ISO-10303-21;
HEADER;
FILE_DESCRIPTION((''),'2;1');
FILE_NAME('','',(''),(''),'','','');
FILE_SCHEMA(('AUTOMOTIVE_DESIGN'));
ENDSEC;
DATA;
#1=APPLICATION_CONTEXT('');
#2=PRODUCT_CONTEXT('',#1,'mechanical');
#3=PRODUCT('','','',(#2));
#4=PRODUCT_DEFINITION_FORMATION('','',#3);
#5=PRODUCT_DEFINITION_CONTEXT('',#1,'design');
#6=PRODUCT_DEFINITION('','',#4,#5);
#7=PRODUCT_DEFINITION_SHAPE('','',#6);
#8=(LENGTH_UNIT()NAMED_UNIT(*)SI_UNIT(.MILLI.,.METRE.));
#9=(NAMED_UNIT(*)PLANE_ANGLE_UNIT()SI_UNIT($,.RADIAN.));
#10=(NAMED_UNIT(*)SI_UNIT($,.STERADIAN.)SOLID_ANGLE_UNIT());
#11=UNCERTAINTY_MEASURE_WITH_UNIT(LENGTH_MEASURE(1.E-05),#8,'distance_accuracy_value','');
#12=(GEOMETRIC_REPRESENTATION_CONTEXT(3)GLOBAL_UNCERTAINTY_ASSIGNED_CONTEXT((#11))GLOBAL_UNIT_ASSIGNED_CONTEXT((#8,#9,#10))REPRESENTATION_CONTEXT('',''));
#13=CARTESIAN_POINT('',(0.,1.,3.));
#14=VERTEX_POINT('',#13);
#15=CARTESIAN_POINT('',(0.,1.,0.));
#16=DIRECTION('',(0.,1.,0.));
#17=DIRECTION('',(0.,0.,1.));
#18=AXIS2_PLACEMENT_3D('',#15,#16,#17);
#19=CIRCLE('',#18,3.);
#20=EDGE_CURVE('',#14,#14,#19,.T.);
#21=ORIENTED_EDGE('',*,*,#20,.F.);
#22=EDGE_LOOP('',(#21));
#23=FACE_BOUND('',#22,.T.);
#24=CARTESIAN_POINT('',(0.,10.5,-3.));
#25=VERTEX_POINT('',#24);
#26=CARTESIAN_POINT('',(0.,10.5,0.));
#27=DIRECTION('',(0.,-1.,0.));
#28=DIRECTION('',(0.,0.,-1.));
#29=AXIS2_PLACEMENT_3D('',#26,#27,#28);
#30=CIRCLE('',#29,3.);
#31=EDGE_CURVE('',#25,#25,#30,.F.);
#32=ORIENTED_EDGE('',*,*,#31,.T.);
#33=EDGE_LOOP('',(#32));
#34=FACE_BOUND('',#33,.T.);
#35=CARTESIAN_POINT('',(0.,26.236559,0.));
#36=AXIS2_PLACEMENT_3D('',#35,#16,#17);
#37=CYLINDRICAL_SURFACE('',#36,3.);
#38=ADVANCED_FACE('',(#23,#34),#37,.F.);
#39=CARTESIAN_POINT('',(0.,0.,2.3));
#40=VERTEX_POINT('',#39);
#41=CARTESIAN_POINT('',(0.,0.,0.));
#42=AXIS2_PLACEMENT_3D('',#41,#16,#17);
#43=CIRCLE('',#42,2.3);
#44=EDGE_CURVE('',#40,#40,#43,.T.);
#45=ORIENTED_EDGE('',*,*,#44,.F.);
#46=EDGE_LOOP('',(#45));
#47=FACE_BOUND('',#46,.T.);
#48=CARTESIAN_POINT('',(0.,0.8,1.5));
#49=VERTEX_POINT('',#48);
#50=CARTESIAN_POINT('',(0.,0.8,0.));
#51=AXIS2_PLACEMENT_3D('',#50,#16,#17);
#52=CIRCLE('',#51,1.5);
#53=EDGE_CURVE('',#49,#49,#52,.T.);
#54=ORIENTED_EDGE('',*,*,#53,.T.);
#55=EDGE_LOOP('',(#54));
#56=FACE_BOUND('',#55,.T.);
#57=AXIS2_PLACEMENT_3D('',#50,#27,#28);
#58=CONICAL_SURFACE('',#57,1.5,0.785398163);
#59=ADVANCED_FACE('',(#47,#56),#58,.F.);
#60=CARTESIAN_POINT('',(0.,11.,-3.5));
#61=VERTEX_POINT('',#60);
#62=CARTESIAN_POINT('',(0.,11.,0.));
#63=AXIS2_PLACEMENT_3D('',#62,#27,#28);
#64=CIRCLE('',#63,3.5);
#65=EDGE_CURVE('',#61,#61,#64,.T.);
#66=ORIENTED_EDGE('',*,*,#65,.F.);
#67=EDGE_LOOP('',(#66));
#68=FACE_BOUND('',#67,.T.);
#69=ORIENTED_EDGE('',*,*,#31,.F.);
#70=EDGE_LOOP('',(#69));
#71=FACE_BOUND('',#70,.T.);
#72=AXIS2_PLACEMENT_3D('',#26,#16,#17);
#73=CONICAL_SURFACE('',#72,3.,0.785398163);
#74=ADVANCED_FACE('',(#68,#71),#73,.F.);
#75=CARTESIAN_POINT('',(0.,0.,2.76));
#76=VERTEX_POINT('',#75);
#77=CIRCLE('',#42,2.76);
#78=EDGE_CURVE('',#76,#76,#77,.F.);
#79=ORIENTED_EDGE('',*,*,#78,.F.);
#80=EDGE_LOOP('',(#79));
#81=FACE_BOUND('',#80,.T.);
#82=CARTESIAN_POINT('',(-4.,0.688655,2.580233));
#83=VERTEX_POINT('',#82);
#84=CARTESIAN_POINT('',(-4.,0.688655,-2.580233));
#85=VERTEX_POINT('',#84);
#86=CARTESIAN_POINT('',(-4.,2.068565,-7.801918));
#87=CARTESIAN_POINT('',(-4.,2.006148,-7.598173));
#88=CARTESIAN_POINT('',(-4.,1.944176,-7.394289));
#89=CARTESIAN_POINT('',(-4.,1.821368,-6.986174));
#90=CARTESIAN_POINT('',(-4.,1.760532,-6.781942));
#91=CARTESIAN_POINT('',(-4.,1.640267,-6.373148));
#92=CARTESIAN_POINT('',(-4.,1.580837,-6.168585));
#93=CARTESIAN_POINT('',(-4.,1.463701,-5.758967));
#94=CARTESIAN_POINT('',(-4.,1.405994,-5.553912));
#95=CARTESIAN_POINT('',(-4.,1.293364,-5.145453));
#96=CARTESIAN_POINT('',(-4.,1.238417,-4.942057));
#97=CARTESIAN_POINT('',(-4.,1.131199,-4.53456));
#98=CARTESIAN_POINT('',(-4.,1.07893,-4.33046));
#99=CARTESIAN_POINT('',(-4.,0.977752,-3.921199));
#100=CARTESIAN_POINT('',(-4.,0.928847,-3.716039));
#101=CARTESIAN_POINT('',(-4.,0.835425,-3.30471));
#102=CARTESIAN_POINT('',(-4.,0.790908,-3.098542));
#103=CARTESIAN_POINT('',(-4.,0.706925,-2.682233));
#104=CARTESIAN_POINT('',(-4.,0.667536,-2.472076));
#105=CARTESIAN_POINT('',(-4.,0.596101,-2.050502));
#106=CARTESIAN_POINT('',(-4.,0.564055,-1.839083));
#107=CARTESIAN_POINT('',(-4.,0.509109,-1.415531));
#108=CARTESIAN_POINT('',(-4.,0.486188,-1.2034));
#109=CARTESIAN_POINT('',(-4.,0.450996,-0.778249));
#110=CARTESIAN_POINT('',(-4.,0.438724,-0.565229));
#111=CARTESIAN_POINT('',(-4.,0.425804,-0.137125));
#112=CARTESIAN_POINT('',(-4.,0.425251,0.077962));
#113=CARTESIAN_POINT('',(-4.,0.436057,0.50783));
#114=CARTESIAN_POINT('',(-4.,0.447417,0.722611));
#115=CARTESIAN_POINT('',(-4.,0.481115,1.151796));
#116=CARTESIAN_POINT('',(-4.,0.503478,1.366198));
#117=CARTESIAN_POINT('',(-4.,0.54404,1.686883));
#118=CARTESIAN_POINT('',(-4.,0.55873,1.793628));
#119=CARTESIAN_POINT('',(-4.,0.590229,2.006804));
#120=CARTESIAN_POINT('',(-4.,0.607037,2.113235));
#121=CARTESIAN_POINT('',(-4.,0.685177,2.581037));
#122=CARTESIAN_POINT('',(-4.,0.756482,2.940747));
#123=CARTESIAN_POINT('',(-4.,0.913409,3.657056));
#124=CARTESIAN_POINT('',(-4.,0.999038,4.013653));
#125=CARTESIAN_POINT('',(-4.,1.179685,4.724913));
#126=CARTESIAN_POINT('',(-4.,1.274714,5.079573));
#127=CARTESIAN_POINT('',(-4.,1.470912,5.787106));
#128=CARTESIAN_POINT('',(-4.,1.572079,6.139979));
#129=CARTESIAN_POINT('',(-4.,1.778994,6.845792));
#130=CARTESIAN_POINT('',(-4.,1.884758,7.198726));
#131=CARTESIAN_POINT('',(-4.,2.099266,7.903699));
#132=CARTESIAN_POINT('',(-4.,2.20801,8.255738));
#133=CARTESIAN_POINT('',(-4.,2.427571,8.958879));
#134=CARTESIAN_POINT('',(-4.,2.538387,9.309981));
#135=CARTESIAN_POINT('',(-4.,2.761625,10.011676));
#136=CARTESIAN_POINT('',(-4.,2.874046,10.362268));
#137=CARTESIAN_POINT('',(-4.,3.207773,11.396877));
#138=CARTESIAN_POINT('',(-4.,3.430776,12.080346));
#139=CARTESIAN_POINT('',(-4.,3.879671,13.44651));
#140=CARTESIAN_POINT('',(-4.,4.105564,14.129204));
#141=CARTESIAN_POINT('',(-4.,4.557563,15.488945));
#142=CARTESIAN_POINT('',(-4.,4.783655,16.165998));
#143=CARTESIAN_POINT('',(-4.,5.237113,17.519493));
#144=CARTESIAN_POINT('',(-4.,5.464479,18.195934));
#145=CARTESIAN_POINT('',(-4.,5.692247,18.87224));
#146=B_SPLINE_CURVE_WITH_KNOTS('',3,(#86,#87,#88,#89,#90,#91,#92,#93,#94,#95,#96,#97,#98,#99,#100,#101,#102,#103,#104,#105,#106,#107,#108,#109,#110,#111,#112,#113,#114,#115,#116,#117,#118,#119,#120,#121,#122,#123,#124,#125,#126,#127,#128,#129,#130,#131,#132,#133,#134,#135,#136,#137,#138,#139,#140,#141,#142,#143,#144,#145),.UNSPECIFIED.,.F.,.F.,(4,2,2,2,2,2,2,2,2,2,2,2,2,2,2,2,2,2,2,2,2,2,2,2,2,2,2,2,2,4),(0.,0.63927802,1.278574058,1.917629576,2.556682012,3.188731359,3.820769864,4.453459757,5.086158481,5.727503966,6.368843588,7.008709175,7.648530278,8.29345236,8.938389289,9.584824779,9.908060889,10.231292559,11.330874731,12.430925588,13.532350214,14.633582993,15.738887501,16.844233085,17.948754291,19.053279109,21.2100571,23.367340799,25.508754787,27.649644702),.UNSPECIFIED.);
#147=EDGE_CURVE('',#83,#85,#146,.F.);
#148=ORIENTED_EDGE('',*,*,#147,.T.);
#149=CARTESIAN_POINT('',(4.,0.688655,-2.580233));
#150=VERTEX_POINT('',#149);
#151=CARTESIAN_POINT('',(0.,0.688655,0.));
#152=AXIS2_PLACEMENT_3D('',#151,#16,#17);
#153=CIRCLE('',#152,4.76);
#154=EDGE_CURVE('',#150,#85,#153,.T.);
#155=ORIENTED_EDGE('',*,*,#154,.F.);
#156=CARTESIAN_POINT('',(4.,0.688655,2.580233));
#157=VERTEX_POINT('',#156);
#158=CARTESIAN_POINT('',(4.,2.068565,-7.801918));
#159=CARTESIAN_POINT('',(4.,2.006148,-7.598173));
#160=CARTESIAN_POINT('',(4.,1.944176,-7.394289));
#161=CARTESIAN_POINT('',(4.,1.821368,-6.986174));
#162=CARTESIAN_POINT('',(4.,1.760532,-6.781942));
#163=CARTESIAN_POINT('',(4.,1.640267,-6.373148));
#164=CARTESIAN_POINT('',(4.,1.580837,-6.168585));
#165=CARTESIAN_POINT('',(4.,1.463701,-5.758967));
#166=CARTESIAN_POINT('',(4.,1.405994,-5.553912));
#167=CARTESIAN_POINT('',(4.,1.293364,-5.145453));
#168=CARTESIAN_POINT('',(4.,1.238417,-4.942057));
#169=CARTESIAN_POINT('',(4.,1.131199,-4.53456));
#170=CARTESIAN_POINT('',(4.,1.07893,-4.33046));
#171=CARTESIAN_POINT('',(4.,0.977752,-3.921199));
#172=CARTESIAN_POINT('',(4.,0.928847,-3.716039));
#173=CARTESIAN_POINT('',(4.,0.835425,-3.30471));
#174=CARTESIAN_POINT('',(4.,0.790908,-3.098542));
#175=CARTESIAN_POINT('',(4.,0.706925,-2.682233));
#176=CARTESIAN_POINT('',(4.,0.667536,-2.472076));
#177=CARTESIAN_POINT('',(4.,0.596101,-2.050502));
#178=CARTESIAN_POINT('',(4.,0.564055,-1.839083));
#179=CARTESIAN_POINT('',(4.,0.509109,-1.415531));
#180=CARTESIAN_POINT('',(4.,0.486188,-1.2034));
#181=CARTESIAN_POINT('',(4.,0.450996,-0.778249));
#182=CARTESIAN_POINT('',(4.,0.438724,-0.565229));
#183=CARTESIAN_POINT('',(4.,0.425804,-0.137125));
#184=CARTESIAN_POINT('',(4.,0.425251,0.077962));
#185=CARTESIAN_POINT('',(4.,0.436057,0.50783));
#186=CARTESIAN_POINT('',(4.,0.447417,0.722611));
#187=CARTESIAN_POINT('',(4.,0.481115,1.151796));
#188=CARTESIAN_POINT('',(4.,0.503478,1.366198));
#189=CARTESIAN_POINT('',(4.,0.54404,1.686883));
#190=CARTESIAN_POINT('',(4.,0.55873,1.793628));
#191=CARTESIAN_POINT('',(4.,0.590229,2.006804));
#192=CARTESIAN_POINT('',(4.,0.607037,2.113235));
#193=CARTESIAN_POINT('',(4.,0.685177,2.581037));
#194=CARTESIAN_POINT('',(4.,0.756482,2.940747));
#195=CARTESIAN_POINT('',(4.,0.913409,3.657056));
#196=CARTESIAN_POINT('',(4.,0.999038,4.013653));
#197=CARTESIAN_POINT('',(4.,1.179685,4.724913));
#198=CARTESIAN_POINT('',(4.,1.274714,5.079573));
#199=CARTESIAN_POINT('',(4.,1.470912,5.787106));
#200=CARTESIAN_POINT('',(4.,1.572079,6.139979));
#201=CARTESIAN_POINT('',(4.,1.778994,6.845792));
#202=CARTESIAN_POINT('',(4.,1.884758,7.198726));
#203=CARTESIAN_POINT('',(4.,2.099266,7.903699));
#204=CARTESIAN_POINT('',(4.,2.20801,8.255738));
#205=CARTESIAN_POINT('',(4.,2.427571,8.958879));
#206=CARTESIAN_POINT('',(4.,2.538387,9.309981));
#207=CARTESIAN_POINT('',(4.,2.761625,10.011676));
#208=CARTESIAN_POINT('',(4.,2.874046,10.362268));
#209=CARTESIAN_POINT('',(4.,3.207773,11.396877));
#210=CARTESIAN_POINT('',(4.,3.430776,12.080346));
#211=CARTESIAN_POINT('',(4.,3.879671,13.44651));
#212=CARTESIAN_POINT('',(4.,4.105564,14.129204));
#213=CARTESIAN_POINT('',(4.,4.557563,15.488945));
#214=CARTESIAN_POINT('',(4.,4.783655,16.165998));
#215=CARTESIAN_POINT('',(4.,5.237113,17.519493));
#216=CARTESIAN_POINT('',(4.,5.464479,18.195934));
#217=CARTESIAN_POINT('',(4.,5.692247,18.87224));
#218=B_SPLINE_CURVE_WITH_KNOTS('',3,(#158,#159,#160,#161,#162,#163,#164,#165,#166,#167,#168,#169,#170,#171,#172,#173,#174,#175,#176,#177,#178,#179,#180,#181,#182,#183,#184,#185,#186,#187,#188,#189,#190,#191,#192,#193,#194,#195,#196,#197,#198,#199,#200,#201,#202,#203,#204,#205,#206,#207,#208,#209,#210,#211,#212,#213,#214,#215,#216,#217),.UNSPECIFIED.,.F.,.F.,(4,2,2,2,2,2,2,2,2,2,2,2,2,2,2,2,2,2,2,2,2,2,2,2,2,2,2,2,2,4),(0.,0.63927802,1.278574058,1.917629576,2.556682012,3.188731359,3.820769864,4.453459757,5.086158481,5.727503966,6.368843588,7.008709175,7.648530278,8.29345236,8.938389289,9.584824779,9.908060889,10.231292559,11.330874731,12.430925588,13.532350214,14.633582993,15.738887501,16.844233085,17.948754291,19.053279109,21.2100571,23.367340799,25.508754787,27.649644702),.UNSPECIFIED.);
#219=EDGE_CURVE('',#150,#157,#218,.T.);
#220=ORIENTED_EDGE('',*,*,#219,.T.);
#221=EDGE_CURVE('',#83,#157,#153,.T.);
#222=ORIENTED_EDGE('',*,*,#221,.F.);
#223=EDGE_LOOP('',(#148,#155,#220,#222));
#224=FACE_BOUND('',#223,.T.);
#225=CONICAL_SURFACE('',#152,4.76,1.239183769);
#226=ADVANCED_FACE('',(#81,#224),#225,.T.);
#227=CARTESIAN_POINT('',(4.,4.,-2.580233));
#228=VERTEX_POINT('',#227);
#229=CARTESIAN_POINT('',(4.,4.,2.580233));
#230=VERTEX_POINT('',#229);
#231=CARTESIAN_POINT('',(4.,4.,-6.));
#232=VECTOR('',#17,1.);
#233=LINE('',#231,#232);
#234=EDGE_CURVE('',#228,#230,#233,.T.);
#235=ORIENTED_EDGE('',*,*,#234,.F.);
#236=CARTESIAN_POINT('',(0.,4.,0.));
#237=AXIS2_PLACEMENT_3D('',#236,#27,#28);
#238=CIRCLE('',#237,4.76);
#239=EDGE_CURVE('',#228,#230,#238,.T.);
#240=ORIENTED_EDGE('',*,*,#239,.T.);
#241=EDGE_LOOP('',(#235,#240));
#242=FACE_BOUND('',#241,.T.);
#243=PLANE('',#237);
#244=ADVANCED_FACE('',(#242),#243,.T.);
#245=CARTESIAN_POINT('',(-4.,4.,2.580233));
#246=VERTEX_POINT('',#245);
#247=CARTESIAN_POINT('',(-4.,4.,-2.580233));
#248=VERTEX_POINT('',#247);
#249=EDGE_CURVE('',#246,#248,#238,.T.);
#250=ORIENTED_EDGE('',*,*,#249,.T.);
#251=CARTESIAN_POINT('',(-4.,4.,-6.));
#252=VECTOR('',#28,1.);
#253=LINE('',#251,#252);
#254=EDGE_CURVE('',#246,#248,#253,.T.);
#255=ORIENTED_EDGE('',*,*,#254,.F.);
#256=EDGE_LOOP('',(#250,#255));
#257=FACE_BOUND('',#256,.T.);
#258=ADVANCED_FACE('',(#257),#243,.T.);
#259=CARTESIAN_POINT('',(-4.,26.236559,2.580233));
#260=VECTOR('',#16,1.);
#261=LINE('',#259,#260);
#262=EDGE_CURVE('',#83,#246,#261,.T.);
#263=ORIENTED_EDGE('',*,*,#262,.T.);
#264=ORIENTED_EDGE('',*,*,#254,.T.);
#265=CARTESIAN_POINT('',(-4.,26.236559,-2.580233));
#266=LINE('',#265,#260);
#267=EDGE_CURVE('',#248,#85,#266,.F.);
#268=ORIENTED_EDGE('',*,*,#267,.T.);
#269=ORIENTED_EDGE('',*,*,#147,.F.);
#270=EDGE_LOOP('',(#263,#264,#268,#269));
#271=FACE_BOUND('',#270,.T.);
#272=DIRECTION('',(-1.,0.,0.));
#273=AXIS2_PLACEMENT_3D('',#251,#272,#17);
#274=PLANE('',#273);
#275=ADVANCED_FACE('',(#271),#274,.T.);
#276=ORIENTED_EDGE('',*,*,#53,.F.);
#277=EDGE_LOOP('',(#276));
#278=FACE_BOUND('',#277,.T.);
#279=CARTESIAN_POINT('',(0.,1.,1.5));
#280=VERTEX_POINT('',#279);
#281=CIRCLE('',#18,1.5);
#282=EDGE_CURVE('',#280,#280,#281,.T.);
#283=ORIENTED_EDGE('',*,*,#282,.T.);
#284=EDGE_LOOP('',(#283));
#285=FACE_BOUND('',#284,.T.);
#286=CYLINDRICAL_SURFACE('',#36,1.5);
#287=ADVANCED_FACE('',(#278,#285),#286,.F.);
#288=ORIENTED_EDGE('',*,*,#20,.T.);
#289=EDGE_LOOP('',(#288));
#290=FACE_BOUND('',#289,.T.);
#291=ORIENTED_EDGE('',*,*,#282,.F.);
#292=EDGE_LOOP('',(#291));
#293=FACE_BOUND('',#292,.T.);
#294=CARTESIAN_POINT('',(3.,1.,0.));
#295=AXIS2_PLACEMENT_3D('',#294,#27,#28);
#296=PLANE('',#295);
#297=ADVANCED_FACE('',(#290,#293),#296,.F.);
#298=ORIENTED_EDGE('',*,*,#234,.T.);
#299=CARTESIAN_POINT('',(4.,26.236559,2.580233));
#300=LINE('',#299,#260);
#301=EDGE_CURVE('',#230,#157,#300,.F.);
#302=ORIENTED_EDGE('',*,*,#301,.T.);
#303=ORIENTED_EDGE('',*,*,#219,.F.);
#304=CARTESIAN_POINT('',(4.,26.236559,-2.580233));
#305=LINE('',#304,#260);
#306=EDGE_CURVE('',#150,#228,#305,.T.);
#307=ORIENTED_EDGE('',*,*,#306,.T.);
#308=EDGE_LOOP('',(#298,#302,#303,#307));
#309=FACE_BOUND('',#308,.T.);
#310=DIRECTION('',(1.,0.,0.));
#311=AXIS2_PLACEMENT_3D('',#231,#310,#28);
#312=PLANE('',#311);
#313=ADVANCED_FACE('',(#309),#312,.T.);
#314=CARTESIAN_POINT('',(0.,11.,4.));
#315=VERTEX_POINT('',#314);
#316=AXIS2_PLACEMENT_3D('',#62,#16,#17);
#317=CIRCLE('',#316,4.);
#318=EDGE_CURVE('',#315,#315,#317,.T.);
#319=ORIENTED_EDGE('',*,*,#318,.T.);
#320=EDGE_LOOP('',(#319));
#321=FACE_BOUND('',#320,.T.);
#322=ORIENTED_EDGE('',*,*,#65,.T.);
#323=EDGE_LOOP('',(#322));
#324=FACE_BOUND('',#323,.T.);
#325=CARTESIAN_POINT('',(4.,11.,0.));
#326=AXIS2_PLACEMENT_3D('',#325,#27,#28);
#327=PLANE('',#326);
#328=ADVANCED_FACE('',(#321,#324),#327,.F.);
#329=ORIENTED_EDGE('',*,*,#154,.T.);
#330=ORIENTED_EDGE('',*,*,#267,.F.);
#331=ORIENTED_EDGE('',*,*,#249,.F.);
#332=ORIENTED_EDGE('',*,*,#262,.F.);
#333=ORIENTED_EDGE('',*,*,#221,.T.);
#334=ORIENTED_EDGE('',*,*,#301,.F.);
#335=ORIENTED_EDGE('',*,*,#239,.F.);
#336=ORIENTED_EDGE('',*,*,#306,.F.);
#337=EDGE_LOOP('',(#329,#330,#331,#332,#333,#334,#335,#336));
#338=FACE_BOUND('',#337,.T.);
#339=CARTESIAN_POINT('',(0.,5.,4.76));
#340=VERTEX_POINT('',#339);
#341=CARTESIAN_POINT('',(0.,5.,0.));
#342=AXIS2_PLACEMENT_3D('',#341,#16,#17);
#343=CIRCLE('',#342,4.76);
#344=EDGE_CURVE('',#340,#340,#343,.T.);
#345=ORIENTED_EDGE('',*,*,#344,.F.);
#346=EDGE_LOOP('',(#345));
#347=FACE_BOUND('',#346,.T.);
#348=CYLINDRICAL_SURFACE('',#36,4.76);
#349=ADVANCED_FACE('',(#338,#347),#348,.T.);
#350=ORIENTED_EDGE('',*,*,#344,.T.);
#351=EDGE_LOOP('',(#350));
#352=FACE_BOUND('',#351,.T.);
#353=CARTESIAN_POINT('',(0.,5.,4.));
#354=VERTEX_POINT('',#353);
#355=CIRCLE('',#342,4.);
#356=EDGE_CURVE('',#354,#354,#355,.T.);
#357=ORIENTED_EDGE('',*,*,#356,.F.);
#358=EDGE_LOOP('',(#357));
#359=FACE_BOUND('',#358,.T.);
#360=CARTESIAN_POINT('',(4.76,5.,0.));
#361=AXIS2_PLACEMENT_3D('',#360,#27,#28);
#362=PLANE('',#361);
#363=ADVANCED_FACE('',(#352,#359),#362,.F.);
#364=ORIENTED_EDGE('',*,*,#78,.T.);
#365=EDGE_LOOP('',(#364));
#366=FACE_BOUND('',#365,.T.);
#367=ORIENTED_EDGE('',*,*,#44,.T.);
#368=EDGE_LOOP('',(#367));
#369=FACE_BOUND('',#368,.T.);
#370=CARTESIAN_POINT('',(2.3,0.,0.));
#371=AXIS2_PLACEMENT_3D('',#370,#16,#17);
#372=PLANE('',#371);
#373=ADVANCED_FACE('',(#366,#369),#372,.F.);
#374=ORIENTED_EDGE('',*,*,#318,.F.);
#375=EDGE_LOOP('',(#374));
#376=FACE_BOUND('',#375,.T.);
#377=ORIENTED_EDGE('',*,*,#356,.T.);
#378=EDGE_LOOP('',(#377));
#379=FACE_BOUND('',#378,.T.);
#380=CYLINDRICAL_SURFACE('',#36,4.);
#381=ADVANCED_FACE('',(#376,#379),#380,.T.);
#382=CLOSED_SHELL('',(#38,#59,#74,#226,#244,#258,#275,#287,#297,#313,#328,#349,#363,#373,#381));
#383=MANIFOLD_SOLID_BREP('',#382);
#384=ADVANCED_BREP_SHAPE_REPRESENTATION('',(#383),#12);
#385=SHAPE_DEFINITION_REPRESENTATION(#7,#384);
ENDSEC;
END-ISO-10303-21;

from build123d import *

# Parameters (mm, degrees)
CHAFL_N1_SIZE         = 2
CHAFL_N1_SIZE2        = 0.688655227
CHAFL_N2_SIZE         = 0.5
CROQUIS2_OUTSIDE_W    = 14.998
CROQUIS2_OUTSIDE_H    = 14.998
CROQUIS2_OUTSIDE_W_2  = 8
CROQUIS2_OUTSIDE_H_2  = 12
CORTAR_EXTRUIR1_DEPTH = 4


with BuildPart() as part:
    # Croquis1 → Revolución2 (revolve)
    with BuildSketch(Plane.XY):
        Polygon((2.3, 0), (4.76, 0), (4.76, 5), (4, 5), (4, 11), (3, 11), (3, 1), (1.5, 1), (1.5, 0.8), align=None)
    revolve(axis=Axis((0, 26.23655914, 0), (0, -1, 0)))

    # Chaflán1
    chafl_n1_edges = [part.edges().sort_by_distance(p)[0] for p in [
        (-4.76, 0, 0),
    ]]
    chafl_n1_side = [part.faces().sort_by_distance(p)[0] for p in [
        (-2.434633131, 0, 0),
    ]]
    chamfer(chafl_n1_edges, length=CHAFL_N1_SIZE, length2=CHAFL_N1_SIZE2, reference=chafl_n1_side[0])

    # Chaflán2
    chafl_n2_edges = [part.edges().sort_by_distance(p)[0] for p in [
        (-3, 11, 0),
    ]]
    chamfer(chafl_n2_edges, length=CHAFL_N2_SIZE)

    # Croquis2 outside → Cortar-Extruir1 (cut)
    with BuildSketch(Plane.XZ):
        Rectangle(CROQUIS2_OUTSIDE_W, CROQUIS2_OUTSIDE_H)
        Rectangle(CROQUIS2_OUTSIDE_W_2, CROQUIS2_OUTSIDE_H_2, mode=Mode.SUBTRACT)
    extrude(amount=-CORTAR_EXTRUIR1_DEPTH, mode=Mode.SUBTRACT)


solid = part.part
